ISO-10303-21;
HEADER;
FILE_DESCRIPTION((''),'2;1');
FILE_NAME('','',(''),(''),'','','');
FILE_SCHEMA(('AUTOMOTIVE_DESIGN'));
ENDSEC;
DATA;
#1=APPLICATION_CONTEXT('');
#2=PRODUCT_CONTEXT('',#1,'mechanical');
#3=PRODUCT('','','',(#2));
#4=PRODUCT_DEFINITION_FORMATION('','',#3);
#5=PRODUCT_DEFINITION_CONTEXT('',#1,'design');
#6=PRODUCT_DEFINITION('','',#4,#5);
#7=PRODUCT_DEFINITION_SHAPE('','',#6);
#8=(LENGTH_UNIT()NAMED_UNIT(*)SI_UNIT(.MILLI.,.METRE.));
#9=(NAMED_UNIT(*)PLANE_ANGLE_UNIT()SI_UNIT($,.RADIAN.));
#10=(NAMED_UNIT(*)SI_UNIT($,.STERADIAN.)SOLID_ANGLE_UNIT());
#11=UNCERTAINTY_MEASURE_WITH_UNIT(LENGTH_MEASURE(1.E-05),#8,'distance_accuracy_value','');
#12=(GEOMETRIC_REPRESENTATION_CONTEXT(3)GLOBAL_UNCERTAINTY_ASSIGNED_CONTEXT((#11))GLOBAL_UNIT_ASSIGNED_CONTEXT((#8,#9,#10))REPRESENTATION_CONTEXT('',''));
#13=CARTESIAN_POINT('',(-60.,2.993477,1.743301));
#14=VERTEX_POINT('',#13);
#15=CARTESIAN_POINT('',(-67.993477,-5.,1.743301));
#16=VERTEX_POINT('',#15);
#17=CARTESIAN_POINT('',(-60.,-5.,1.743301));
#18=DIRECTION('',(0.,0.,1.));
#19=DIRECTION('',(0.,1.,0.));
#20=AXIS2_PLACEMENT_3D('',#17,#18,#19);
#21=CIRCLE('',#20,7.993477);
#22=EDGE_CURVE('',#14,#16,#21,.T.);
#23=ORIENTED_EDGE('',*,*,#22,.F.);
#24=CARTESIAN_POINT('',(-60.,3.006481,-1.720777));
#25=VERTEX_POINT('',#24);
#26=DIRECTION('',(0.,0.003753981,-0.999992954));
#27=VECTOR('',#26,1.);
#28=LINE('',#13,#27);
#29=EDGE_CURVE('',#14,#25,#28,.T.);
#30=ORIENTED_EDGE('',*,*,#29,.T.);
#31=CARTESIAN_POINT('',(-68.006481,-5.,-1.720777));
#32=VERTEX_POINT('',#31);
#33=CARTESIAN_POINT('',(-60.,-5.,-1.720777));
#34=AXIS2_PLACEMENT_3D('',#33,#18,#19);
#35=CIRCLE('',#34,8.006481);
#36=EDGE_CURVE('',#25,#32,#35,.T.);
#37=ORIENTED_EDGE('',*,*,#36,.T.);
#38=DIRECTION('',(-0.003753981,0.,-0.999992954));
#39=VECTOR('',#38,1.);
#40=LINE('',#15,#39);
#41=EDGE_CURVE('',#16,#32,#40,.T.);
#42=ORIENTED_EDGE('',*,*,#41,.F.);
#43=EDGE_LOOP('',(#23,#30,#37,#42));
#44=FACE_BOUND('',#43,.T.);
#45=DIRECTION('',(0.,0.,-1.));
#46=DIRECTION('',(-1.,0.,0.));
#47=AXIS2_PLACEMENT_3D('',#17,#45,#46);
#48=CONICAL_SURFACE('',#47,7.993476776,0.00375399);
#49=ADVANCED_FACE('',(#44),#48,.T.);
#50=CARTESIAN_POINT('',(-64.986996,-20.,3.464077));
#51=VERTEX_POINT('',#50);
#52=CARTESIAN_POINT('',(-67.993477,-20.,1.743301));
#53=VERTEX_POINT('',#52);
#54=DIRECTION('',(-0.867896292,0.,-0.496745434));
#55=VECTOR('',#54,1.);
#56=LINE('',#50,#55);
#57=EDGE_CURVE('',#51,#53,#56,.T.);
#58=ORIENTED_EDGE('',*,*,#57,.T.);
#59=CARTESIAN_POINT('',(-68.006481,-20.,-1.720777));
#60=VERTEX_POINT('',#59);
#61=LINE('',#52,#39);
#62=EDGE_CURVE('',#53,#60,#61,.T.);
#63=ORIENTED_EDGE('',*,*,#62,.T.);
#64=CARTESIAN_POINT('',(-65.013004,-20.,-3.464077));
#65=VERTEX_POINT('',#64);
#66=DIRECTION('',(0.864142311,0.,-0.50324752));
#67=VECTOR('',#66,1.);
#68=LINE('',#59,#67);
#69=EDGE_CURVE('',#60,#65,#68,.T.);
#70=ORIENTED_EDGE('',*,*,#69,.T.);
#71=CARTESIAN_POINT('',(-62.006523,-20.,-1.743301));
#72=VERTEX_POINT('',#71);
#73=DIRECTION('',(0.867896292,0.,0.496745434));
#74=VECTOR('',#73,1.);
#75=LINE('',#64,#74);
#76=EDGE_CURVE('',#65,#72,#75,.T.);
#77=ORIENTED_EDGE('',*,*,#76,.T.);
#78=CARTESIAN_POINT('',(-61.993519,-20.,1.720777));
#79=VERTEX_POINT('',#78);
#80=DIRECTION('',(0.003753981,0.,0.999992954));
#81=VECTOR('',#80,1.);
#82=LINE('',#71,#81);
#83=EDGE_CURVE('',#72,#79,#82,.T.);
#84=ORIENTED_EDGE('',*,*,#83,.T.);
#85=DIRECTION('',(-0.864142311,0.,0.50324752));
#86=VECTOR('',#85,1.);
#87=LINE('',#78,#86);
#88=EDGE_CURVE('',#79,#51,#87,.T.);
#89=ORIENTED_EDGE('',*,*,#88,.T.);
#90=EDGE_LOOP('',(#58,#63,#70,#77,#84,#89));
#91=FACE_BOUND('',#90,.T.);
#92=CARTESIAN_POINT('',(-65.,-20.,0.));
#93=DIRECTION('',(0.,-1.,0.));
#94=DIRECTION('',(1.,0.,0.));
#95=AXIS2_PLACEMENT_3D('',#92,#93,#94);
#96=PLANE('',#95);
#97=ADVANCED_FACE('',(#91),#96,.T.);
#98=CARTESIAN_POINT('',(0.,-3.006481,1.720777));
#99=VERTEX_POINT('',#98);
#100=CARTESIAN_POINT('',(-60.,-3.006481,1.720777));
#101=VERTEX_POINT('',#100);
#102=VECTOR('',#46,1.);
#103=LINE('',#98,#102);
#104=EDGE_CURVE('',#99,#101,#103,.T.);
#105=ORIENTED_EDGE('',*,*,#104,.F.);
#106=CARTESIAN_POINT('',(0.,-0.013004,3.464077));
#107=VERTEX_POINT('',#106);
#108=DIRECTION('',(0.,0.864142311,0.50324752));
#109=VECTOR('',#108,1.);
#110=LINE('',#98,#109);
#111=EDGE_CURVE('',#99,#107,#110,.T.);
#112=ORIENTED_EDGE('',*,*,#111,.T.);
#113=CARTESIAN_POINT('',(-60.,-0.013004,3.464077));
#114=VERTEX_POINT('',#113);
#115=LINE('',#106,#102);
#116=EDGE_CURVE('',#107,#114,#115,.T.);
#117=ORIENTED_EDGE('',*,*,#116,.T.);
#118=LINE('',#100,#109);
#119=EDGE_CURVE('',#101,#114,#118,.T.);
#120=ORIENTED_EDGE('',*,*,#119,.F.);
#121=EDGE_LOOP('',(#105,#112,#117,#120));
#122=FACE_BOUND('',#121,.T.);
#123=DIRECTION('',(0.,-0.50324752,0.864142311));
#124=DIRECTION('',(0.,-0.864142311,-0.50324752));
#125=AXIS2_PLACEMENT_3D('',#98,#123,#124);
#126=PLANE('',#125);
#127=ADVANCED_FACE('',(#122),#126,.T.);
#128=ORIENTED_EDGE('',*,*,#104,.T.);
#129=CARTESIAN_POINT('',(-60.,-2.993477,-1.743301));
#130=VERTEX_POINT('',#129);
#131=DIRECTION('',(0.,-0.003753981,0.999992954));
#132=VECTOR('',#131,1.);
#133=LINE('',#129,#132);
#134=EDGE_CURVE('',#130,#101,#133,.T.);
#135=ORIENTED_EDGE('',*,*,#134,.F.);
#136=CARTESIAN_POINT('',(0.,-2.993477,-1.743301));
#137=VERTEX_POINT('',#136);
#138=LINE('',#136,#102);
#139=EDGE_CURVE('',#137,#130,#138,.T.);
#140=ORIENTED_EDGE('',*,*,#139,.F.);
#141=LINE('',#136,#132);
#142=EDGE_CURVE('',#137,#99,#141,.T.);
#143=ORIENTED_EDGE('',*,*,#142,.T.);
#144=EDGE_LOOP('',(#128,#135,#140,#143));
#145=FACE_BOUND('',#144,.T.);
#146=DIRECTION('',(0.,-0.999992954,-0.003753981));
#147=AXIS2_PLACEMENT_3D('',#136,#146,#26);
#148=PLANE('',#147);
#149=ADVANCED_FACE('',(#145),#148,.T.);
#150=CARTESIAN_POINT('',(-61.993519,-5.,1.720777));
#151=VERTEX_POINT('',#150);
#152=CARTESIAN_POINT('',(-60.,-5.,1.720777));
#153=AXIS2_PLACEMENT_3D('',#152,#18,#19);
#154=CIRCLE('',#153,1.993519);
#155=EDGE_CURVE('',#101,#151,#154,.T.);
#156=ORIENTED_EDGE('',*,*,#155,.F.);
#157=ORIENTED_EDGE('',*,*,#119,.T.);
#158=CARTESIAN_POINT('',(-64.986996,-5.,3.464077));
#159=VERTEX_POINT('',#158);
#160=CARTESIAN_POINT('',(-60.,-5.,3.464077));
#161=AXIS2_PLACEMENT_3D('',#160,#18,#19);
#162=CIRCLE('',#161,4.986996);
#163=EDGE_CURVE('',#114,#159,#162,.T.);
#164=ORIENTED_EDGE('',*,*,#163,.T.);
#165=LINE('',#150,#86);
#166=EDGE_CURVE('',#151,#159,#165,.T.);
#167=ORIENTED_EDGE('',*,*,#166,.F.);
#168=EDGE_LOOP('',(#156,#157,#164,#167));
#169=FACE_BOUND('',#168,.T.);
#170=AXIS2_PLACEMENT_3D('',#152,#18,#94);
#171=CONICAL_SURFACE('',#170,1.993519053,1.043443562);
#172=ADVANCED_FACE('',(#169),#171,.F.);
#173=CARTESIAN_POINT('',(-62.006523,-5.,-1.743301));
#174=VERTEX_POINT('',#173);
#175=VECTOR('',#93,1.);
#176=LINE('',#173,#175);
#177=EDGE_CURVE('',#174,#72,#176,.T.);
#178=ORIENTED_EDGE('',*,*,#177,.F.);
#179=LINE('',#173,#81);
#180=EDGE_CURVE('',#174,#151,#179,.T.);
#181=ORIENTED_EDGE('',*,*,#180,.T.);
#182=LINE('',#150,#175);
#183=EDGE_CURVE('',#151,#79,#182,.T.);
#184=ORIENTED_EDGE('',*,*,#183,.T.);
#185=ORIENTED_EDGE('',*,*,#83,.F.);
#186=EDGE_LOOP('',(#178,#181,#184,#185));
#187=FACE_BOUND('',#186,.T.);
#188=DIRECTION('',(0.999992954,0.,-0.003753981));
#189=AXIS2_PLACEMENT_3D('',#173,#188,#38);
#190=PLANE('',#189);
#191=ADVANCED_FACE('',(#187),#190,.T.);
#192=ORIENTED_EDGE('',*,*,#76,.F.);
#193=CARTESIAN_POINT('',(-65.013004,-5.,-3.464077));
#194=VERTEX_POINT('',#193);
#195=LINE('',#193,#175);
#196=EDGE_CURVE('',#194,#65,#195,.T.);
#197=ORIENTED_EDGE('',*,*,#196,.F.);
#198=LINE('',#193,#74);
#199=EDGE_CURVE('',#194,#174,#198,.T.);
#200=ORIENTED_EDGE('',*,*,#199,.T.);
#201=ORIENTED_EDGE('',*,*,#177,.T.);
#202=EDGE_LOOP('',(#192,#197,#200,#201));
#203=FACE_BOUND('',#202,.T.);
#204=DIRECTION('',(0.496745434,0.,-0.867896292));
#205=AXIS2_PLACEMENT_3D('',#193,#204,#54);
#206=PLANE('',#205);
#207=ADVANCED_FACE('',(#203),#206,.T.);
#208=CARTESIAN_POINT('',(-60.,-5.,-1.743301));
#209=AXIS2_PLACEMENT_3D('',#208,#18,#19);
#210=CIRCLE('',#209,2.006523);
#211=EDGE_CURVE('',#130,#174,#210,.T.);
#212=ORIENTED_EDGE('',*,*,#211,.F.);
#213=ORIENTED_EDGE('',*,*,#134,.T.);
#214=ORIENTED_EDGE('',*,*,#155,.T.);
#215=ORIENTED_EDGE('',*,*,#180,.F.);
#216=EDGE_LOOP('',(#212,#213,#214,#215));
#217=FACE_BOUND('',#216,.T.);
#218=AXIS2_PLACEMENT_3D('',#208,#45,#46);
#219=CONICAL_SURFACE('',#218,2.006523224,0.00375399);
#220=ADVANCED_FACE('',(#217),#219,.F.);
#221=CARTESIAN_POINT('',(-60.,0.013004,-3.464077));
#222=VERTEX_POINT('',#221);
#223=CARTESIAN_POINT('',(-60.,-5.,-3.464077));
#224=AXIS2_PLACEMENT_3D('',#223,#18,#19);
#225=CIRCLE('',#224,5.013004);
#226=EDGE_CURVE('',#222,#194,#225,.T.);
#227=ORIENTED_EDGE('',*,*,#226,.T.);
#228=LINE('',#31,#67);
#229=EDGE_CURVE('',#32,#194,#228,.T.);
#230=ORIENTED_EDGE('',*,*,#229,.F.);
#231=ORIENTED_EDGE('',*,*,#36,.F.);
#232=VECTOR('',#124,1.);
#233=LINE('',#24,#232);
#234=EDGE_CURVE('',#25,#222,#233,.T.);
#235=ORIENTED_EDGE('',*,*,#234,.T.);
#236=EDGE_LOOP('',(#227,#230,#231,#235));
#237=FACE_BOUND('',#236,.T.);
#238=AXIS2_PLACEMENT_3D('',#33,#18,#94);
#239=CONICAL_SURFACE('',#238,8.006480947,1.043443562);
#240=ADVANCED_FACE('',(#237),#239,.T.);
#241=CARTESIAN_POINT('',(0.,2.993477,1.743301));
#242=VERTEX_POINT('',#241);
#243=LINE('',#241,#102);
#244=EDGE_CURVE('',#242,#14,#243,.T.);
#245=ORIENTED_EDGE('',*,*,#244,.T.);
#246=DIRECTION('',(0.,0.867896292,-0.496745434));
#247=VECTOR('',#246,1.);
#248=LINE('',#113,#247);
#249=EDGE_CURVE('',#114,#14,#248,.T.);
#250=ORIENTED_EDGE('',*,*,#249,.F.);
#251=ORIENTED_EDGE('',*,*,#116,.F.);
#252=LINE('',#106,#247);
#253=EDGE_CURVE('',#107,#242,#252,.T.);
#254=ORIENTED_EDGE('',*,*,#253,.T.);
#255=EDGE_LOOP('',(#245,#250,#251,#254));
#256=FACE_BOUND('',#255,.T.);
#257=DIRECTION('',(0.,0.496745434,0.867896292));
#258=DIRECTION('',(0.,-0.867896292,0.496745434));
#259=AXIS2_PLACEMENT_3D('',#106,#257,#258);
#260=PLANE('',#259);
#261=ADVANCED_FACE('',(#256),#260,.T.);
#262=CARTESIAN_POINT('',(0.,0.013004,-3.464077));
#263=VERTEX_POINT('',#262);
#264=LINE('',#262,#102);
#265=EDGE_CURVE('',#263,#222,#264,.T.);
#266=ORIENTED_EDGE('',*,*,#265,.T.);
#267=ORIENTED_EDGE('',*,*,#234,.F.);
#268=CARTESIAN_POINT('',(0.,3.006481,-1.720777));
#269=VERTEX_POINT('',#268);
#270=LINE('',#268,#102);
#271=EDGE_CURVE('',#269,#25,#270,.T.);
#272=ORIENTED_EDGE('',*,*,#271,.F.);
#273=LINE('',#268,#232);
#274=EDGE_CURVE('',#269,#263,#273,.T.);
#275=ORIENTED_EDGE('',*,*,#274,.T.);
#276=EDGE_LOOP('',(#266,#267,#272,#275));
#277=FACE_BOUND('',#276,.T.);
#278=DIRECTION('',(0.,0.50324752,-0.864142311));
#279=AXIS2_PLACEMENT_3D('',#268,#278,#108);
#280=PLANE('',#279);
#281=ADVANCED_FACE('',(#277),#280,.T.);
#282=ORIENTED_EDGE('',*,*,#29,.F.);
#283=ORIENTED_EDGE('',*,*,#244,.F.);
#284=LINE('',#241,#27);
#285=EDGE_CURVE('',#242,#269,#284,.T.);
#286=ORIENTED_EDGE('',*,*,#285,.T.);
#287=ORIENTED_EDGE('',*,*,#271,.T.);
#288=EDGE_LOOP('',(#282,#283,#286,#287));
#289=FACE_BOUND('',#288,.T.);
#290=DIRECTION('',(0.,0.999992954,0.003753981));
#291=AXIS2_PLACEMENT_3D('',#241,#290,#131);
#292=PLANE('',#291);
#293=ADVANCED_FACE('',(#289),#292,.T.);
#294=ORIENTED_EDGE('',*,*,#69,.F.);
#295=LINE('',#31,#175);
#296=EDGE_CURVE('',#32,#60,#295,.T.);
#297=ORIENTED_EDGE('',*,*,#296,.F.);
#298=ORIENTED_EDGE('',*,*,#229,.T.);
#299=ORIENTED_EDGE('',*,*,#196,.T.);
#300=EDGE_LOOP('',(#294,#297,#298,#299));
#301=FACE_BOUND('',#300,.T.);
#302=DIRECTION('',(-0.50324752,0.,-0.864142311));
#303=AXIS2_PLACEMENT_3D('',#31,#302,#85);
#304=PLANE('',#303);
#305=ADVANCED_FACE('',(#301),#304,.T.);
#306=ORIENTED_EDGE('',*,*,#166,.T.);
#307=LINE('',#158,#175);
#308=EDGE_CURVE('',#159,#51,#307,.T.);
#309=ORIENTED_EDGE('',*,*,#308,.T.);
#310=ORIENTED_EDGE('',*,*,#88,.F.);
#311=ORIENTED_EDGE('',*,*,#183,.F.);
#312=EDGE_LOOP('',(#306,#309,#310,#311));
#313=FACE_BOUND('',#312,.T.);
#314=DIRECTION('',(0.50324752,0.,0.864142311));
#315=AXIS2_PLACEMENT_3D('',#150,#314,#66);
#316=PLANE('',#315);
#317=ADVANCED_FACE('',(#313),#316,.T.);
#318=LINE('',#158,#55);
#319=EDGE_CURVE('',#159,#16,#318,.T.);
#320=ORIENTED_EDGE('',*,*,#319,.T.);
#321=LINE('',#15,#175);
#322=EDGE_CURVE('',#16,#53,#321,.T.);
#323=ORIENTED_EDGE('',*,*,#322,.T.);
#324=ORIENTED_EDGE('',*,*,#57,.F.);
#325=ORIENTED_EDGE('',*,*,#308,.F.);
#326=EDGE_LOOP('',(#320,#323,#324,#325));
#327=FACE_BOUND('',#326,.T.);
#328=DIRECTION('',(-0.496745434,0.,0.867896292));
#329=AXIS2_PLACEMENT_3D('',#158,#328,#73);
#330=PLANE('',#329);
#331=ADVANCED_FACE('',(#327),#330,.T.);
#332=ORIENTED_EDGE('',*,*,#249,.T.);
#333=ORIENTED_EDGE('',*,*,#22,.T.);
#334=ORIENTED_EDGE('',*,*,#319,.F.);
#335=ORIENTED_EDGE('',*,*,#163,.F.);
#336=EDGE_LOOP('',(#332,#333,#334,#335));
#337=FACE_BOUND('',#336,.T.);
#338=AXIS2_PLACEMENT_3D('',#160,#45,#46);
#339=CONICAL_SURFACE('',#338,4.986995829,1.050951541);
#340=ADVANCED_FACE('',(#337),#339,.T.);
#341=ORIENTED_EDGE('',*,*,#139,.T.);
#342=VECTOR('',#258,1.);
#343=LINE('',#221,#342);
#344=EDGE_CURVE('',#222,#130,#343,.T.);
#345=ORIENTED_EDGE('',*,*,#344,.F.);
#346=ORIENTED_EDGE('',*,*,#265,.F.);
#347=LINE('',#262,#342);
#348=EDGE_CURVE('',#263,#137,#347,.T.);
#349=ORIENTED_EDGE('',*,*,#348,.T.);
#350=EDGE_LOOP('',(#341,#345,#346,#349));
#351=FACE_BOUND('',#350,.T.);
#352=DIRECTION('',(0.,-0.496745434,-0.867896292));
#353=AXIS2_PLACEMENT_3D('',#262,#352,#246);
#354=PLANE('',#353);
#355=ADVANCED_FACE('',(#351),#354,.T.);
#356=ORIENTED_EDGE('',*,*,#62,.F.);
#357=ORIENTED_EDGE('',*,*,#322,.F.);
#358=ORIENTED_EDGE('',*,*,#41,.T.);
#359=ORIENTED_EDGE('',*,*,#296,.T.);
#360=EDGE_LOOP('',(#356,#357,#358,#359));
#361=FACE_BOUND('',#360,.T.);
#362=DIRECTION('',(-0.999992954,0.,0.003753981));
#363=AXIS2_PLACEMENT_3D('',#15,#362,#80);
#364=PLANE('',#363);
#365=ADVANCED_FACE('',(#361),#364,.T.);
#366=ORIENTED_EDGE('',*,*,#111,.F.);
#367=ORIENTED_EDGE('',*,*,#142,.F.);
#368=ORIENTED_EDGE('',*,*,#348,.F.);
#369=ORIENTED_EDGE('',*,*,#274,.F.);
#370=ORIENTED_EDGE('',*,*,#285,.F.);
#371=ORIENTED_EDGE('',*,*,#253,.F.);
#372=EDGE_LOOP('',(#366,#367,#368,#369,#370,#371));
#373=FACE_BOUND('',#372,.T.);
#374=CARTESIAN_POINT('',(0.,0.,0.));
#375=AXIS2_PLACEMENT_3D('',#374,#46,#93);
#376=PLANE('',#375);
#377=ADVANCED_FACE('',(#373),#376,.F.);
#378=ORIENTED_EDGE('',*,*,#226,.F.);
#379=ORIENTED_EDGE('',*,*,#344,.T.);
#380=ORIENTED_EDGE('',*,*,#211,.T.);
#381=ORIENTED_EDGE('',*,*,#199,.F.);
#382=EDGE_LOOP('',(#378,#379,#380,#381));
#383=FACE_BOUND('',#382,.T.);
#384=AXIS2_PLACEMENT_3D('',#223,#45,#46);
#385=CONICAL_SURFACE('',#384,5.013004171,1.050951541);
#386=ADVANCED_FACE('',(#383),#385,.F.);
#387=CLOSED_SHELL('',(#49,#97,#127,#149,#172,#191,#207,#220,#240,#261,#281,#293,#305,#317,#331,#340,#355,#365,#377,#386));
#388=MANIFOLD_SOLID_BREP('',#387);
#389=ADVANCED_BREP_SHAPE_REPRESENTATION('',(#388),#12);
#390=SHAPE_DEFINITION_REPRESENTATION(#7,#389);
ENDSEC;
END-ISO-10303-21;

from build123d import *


with BuildPart() as part:
    # Sweep1: sweep along a path in Sketch1
    with BuildLine(Plane.XY) as sweep1_path:
        Line((0, 0), (-60, 0))
        ThreePointArc((-60, 0), (-63.535533906, -1.464466094), (-65, -5))
        Line((-65, -5), (-65, -20))
    # Sketch2 → Sweep1 (sweep)
    with BuildSketch(Plane.ZY):
        Polygon((1.720776661, -3.006480947), (3.464077206, -0.013004171), (1.743300546, 2.993476776), (-1.720776661, 3.006480947), (-3.464077206, 0.013004171), (-1.743300546, -2.993476776), align=None)
    sweep(path=sweep1_path.line)


solid = part.part
